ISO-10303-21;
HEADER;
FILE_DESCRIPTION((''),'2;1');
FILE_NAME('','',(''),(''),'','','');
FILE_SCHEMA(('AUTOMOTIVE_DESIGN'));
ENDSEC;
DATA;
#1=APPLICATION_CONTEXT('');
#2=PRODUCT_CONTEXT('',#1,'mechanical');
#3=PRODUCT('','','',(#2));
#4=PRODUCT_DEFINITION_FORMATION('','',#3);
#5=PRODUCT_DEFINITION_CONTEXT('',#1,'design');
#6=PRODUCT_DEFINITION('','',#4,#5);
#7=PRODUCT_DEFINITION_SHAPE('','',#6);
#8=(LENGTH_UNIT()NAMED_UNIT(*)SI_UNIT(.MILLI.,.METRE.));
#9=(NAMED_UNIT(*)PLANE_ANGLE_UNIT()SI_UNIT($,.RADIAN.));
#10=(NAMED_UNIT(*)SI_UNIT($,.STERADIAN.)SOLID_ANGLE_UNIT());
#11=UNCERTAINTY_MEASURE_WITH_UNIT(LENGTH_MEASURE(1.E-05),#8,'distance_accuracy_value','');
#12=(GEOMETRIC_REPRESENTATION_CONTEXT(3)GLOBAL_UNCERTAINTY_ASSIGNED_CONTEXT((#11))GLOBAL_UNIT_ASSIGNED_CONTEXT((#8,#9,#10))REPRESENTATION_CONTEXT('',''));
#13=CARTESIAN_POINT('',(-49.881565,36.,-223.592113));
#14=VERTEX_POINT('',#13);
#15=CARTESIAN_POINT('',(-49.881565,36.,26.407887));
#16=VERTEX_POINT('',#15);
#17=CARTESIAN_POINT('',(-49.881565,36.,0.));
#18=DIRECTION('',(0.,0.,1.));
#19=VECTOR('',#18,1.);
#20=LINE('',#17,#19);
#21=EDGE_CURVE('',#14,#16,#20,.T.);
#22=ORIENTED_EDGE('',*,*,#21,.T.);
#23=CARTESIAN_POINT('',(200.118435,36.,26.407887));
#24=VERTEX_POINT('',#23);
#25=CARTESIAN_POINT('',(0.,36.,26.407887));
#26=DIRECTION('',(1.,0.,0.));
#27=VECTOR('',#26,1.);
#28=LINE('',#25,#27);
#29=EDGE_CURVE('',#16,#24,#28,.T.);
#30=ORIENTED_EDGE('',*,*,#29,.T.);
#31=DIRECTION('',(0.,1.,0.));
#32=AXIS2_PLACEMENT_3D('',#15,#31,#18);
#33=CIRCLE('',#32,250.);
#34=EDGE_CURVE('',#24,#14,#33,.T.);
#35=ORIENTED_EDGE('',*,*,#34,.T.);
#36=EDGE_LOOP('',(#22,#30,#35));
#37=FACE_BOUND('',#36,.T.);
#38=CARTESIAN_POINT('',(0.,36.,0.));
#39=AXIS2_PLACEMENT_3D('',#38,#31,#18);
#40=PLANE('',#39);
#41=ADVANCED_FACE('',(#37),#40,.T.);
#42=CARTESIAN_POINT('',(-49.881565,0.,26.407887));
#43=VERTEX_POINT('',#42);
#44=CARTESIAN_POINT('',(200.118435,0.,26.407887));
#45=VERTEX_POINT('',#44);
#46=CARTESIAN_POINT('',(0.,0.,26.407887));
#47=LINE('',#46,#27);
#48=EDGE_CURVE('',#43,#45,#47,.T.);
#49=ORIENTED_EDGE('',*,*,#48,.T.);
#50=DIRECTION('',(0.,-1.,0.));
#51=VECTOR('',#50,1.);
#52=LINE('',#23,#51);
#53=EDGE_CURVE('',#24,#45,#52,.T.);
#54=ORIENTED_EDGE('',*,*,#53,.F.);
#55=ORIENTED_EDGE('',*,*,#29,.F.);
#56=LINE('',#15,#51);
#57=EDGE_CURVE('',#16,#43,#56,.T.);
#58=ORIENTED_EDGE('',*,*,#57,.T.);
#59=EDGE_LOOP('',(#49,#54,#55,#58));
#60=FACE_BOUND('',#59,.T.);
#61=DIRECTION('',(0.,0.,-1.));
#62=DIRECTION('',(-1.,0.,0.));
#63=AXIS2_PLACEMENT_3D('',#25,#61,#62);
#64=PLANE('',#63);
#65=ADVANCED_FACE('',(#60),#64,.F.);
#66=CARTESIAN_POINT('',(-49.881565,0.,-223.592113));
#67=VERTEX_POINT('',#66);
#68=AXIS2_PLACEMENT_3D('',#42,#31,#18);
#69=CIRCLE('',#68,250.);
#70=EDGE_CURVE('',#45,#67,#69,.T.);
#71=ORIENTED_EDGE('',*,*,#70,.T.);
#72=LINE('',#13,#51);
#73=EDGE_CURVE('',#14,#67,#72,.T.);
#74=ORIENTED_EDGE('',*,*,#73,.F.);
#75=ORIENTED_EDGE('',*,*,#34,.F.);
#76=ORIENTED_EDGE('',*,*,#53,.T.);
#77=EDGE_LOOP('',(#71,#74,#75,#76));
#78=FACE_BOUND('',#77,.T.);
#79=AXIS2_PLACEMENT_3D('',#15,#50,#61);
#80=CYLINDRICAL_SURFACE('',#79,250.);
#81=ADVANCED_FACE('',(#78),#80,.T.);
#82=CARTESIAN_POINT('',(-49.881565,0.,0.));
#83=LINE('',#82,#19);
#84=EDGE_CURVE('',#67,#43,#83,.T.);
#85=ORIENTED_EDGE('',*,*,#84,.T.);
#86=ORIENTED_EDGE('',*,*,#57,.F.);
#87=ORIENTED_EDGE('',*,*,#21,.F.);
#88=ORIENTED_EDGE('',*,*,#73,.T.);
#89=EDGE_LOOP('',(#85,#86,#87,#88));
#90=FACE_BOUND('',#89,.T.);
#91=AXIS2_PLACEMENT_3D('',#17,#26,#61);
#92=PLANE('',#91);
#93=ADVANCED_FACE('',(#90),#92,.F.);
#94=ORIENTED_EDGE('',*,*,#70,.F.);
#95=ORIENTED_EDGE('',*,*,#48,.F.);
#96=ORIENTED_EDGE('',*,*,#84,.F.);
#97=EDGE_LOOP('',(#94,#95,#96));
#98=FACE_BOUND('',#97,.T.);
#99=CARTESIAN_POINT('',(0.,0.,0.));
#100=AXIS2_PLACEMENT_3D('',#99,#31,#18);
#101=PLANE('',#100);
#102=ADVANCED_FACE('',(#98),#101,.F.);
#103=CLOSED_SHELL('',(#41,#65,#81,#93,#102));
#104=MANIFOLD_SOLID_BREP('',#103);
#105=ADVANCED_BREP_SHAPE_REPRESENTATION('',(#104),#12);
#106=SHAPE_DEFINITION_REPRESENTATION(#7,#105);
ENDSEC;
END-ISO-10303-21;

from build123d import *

# Parameters (mm, degrees)
BOSS_EXTRU_1_DEPTH = 36


with BuildPart() as part:
    # Esquisse3 → Boss.-Extru.1 (new body)
    with BuildSketch(Plane(origin=(0, 0, 0), x_dir=(1, 0, 0), z_dir=(0, 1, 0))):
        with BuildLine():
            Line((-49.881564549, -26.407887114), (200.118435451, -26.407887114))
            ThreePointArc((200.118435451, -26.407887114), (126.895130748, 150.368808183), (-49.881564549, 223.592112886))
            Line((-49.881564549, 223.592112886), (-49.881564549, -26.407887114))
        make_face()
    extrude(amount=BOSS_EXTRU_1_DEPTH)


solid = part.part
